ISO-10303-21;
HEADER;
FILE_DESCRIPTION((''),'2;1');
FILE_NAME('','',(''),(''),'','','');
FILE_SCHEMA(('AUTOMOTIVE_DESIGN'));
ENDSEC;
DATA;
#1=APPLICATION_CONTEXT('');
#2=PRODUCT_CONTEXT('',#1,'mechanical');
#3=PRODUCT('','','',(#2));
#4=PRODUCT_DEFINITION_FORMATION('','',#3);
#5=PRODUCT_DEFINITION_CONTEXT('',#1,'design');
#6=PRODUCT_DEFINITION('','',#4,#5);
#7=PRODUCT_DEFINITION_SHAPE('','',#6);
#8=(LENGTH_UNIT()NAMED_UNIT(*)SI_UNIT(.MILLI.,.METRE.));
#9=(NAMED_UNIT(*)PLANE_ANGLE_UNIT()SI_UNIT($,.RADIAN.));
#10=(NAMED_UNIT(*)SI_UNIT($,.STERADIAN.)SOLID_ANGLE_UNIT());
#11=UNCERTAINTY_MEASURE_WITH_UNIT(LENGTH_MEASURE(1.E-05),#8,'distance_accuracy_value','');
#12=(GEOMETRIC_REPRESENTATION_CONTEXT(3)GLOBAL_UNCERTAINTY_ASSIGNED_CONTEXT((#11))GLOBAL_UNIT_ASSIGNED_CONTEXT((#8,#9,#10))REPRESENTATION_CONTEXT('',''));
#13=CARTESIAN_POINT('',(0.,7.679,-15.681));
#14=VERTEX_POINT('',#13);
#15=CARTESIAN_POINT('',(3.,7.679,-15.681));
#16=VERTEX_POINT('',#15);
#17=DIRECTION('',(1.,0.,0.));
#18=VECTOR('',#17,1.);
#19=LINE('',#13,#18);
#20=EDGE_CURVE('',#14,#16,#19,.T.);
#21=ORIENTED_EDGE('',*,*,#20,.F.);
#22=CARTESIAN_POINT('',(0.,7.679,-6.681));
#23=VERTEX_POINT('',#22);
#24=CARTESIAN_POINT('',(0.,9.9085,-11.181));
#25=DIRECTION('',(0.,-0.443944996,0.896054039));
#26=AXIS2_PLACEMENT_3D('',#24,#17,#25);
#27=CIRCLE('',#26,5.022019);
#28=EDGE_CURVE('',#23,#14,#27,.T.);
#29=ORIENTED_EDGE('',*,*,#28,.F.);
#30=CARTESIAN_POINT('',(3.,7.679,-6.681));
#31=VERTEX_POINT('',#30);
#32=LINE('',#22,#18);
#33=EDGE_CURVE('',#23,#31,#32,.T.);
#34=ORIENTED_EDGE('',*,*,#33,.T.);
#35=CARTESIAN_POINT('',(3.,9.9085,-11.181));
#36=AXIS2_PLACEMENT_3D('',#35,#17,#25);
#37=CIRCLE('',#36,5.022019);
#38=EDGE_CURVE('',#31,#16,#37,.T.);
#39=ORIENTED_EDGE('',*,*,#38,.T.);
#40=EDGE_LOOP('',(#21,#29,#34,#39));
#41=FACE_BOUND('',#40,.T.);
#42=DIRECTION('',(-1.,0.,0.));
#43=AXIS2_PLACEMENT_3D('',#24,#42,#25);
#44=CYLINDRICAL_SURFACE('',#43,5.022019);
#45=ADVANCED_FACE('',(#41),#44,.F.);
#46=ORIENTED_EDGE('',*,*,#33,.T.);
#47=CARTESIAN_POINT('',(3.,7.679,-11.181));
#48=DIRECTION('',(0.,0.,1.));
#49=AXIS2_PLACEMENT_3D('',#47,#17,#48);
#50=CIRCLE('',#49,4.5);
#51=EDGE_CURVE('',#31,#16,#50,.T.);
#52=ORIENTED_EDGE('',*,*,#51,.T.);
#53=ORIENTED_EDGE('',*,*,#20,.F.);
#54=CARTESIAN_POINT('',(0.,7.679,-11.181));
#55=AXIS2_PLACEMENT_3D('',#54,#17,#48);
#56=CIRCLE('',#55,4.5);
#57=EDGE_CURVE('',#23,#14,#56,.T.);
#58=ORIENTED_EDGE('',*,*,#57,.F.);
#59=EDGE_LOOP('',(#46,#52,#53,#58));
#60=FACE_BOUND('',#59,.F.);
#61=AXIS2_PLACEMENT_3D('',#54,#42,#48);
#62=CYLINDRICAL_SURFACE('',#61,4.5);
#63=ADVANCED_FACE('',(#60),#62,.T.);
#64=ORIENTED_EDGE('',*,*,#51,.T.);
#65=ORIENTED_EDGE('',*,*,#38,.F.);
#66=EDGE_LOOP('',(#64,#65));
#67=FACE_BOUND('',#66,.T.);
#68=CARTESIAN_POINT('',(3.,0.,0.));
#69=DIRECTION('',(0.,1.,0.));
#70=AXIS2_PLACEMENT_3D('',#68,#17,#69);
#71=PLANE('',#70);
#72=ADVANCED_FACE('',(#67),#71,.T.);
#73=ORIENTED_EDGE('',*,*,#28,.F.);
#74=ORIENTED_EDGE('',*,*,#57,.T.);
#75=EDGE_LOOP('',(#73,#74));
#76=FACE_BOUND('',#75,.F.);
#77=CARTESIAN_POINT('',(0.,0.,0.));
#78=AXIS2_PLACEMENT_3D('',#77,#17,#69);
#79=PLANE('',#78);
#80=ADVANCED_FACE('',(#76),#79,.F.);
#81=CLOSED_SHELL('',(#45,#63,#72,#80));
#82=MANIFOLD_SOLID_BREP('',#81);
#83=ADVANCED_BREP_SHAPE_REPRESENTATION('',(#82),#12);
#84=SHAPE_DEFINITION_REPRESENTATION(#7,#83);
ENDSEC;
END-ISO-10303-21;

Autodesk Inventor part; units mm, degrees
ref_plane "YZ Plane" through (0, 0, 0) normal (1, 0, 0) x (0, 1, 0)
ref_plane "XZ Plane" through (0, 0, 0) normal (0, 1, 0) x (-1, 0, 0)
ref_plane "XY Plane" through (0, 0, 0) normal (0, 0, 1) x (1, 0, 0)
sketch "Sketch2" plane through (0, 0, 0) normal (1, 0, 0) x (0, 1, 0)
  arc A0 (7.679, -6.681) -> (7.679, -15.681) centre (9.9085, -11.181) ccw
  arc A1 (7.679, -6.681) -> (7.679, -15.681) centre (7.679, -11.181) ccw
  point P0 (0, 0)
  dimension "d6" = 4.5
extrude "Extrusion2" add sketch "Sketch2" along normal blind 3
properties part number "Tapa"
